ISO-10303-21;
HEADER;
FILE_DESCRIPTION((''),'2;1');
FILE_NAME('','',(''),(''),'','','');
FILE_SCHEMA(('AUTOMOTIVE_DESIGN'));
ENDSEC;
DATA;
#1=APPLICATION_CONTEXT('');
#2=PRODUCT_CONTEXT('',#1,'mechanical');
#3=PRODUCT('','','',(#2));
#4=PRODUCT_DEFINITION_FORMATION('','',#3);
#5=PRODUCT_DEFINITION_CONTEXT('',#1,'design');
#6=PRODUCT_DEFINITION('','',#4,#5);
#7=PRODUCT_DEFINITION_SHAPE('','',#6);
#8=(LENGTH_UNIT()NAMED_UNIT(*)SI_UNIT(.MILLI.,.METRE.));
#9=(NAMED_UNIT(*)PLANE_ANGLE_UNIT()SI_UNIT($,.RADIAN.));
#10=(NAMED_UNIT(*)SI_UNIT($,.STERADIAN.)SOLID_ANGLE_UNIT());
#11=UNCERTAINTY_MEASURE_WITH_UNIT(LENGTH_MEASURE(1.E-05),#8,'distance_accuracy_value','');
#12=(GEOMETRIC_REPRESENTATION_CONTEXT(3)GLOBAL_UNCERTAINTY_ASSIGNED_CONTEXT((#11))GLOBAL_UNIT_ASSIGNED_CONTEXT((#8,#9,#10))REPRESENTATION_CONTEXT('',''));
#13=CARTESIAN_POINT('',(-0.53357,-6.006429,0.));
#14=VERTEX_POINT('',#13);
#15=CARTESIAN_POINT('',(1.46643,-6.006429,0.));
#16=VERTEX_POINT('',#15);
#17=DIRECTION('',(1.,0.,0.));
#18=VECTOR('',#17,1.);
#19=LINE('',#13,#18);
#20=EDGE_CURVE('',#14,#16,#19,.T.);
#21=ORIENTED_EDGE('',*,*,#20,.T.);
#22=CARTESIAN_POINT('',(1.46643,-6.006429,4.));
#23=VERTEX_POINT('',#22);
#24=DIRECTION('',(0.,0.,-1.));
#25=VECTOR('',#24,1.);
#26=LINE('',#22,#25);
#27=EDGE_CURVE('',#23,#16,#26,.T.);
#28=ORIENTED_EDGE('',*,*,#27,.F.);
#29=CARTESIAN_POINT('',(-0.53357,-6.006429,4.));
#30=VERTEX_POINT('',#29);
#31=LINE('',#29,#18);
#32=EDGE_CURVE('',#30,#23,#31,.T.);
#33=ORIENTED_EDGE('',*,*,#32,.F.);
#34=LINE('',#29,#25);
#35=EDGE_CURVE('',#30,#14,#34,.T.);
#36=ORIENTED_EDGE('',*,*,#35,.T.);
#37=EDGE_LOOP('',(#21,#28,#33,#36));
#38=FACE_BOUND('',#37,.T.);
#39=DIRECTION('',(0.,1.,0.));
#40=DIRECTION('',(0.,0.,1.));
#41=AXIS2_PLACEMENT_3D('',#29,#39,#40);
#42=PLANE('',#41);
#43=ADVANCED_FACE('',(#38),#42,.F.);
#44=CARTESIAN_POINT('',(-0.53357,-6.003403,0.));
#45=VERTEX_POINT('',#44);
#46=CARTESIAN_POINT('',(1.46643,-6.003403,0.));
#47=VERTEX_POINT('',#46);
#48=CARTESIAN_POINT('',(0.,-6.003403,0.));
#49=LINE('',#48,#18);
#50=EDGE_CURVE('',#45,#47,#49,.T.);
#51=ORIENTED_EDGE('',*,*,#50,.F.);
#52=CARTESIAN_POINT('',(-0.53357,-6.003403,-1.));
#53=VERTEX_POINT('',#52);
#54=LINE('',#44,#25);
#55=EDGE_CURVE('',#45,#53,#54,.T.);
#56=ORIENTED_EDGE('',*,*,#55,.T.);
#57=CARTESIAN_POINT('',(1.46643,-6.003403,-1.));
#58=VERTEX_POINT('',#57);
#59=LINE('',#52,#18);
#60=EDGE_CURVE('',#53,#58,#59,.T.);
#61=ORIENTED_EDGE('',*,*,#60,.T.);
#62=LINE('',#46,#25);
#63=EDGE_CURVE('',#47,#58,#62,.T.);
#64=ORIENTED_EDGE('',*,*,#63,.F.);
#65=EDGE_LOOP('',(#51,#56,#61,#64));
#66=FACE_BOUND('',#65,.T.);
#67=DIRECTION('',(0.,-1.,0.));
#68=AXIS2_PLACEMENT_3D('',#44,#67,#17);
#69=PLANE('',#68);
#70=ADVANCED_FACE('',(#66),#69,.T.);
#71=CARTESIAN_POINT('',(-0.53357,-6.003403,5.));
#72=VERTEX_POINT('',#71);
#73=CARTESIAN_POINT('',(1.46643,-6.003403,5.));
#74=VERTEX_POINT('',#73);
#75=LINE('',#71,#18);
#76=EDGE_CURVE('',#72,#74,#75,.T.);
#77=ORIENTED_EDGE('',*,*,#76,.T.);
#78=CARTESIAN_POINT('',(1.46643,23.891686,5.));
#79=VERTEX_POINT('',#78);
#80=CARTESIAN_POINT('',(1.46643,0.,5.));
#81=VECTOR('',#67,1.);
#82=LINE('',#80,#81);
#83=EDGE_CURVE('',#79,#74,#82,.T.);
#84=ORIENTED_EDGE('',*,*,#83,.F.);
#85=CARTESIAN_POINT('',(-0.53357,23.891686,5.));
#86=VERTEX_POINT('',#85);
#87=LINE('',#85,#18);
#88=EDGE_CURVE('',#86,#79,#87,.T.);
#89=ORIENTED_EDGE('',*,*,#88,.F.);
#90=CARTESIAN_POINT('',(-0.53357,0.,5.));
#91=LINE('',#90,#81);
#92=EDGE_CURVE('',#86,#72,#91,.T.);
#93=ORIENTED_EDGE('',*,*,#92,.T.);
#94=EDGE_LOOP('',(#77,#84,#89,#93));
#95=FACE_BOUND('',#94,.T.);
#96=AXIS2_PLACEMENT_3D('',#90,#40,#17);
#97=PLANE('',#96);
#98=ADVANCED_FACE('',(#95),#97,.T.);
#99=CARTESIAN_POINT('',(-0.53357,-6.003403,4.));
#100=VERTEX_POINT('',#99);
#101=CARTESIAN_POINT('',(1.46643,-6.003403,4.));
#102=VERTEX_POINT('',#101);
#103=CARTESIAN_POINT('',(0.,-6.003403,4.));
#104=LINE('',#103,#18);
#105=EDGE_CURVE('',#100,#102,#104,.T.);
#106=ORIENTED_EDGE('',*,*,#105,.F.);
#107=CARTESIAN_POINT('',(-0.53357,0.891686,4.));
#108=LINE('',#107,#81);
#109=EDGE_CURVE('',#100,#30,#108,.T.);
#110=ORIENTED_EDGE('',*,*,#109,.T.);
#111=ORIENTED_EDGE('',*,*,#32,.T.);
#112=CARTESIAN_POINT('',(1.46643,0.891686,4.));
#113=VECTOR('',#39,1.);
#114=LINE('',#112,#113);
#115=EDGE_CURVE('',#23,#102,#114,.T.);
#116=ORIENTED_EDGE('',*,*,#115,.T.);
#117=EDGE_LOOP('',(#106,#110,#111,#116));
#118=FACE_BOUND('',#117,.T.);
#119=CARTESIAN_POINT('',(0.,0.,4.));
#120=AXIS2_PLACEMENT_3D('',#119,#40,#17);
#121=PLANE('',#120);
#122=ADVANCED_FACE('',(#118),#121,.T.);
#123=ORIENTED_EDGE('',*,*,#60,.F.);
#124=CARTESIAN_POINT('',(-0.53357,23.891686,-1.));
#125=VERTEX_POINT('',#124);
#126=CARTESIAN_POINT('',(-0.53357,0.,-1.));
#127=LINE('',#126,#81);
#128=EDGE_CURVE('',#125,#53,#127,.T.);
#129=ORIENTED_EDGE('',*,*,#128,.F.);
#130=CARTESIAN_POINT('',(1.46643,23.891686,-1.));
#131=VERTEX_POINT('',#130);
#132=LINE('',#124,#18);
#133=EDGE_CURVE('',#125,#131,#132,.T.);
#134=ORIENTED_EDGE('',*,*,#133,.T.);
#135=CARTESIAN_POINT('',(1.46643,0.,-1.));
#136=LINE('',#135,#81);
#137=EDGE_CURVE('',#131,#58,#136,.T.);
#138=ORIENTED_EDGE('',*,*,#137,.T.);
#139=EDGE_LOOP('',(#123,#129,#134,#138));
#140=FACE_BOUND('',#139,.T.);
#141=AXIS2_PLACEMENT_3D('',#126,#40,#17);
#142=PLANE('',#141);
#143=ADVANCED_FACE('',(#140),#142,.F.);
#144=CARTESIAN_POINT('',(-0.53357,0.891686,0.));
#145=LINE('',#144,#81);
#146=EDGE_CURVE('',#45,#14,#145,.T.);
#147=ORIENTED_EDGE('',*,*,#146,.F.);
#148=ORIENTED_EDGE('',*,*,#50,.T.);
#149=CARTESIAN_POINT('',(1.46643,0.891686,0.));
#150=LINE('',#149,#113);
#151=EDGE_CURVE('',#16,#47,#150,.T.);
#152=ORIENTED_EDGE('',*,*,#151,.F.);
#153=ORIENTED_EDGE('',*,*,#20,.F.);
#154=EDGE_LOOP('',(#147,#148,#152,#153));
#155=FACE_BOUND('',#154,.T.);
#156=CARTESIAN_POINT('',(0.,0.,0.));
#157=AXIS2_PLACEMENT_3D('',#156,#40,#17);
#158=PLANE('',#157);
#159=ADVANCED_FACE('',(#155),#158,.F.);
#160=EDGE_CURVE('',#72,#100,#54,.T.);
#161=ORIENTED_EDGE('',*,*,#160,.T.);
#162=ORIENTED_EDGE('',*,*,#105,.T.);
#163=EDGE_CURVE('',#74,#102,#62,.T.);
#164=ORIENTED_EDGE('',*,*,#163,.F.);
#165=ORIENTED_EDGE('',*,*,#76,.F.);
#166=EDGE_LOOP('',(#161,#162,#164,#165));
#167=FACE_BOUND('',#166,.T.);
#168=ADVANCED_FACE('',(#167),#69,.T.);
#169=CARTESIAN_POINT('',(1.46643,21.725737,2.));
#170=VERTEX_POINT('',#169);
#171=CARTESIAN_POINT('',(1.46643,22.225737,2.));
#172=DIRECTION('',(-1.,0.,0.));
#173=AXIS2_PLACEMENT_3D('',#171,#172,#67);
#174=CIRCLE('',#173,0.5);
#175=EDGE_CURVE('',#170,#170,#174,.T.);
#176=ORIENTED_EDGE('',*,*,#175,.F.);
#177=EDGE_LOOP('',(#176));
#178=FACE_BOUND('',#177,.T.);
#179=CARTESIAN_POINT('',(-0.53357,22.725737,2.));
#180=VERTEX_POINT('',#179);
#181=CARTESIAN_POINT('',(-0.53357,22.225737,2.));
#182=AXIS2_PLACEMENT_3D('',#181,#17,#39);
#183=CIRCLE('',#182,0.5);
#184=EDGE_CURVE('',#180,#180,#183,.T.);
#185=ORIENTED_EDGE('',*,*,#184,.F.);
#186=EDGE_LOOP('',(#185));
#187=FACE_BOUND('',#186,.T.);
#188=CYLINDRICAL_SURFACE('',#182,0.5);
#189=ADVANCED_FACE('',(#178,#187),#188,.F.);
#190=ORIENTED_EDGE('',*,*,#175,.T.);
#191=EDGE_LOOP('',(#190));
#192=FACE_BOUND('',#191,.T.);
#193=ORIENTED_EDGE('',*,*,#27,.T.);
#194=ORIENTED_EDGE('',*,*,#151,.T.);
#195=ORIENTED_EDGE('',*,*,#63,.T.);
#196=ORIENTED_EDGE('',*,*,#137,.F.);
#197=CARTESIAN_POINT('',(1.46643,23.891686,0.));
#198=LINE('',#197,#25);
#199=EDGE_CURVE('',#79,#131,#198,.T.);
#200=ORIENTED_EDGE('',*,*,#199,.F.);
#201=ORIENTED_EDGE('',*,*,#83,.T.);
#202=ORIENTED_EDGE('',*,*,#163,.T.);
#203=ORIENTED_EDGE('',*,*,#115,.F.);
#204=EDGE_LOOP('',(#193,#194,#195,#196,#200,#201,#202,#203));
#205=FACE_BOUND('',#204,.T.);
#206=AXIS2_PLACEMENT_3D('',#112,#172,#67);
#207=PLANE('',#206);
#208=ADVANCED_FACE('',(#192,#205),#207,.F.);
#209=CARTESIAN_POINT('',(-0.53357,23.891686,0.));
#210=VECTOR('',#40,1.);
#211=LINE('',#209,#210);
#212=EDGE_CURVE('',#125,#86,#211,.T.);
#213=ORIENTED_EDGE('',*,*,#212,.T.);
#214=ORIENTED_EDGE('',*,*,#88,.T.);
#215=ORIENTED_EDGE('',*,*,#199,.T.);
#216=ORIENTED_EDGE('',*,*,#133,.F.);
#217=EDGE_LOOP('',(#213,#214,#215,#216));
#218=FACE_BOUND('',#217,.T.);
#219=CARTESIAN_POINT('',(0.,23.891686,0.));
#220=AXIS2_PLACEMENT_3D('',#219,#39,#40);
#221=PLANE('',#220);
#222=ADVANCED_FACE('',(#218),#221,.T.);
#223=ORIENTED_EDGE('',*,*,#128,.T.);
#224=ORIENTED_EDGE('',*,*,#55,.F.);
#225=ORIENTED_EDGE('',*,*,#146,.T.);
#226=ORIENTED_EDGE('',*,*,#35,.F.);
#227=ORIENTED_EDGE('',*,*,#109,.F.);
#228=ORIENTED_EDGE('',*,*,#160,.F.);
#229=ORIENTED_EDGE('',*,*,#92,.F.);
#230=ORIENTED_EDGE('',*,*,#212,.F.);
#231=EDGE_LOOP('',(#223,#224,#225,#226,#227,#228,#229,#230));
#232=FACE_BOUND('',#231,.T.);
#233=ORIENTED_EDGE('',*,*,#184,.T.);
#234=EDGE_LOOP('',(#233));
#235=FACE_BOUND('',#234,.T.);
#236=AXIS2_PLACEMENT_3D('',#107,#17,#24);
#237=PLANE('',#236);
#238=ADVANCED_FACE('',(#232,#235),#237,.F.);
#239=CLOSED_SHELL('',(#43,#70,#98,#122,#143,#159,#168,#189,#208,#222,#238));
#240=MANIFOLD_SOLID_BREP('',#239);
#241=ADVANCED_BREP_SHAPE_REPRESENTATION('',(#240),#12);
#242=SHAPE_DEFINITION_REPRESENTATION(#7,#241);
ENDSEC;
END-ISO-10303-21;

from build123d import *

# Parameters (mm, degrees)
SKETCH1_W               = 2
SKETCH1_H               = 6.898115708
BOSS_EXTRUDE1_DEPTH     = 4
SKETCH2_W               = 2
SKETCH2_H               = 4
BOSS_EXTRUDE2_DEPTH     = 23
SKETCH3_W               = 4
SKETCH3_H               = 29.895089618
SKETCH3_R               = 0.5
SKETCH3_W_2             = 1
BOSS_EXTRUDE4_DEPTH     = 2
CUT_EXTRUDE1_DEPTH      = 25.491073296
CUT_EXTRUDE1_DEPTH_BACK = 25.491073296
SKETCH4_R               = 0.5


with BuildPart() as part:
    # Sketch1 → Boss-Extrude1 (new body)
    with BuildSketch(Plane.XY):
        with Locations((0.466430338, -2.557371618)):
            Rectangle(SKETCH1_W, SKETCH1_H)
    extrude(amount=BOSS_EXTRUDE1_DEPTH)

    # Sketch2 → Boss-Extrude2 (add)
    with BuildSketch(Plane(origin=(0, 0.891686236, 0), x_dir=(1, 0, 0), z_dir=(0, 1, 0))):
        with Locations((0.466430338, -2)):
            Rectangle(SKETCH2_W, SKETCH2_H)
    extrude(amount=BOSS_EXTRUDE2_DEPTH)

    # Sketch3 → Boss-Extrude4 (add, through all)
    # profile 1 of 3: a face of its own
    with BuildSketch(Plane(origin=(1.466430338, 0, 0), x_dir=(0, 0, -1), z_dir=(1, 0, 0))):
        with Locations((-2, 8.944141427)):
            Rectangle(SKETCH3_W, SKETCH3_H)
        with Locations((-2, 22.225736667)):
            Circle(SKETCH3_R, mode=Mode.SUBTRACT)
    # profile 2 of 3: a face of its own
    with BuildSketch(Plane(origin=(1.466430338, 0, 0), x_dir=(0, 0, -1), z_dir=(1, 0, 0))):
        with Locations((-4.5, 8.944141427)):
            Rectangle(SKETCH3_W_2, SKETCH3_H)
    # profile 3 of 3: a face of its own
    with BuildSketch(Plane(origin=(1.466430338, 0, 0), x_dir=(0, 0, -1), z_dir=(1, 0, 0))):
        with Locations((0.5, 8.944141427)):
            Rectangle(SKETCH3_W_2, SKETCH3_H)
    extrude(amount=-BOSS_EXTRUDE4_DEPTH)

    # Sketch4 → Cut-Extrude1 (cut, two sides: drawn at the far end of the back side and taken through both)
    with BuildSketch(Plane(origin=(1.466430338, 0, 0), x_dir=(0, 0, -1), z_dir=(1, 0, 0)).offset(-CUT_EXTRUDE1_DEPTH_BACK)):
        with Locations(Location((-2, 22.225736667, 0), (0, 0, 90))):
            Circle(SKETCH4_R)
    extrude(amount=CUT_EXTRUDE1_DEPTH + CUT_EXTRUDE1_DEPTH_BACK, mode=Mode.SUBTRACT)


solid = part.part
